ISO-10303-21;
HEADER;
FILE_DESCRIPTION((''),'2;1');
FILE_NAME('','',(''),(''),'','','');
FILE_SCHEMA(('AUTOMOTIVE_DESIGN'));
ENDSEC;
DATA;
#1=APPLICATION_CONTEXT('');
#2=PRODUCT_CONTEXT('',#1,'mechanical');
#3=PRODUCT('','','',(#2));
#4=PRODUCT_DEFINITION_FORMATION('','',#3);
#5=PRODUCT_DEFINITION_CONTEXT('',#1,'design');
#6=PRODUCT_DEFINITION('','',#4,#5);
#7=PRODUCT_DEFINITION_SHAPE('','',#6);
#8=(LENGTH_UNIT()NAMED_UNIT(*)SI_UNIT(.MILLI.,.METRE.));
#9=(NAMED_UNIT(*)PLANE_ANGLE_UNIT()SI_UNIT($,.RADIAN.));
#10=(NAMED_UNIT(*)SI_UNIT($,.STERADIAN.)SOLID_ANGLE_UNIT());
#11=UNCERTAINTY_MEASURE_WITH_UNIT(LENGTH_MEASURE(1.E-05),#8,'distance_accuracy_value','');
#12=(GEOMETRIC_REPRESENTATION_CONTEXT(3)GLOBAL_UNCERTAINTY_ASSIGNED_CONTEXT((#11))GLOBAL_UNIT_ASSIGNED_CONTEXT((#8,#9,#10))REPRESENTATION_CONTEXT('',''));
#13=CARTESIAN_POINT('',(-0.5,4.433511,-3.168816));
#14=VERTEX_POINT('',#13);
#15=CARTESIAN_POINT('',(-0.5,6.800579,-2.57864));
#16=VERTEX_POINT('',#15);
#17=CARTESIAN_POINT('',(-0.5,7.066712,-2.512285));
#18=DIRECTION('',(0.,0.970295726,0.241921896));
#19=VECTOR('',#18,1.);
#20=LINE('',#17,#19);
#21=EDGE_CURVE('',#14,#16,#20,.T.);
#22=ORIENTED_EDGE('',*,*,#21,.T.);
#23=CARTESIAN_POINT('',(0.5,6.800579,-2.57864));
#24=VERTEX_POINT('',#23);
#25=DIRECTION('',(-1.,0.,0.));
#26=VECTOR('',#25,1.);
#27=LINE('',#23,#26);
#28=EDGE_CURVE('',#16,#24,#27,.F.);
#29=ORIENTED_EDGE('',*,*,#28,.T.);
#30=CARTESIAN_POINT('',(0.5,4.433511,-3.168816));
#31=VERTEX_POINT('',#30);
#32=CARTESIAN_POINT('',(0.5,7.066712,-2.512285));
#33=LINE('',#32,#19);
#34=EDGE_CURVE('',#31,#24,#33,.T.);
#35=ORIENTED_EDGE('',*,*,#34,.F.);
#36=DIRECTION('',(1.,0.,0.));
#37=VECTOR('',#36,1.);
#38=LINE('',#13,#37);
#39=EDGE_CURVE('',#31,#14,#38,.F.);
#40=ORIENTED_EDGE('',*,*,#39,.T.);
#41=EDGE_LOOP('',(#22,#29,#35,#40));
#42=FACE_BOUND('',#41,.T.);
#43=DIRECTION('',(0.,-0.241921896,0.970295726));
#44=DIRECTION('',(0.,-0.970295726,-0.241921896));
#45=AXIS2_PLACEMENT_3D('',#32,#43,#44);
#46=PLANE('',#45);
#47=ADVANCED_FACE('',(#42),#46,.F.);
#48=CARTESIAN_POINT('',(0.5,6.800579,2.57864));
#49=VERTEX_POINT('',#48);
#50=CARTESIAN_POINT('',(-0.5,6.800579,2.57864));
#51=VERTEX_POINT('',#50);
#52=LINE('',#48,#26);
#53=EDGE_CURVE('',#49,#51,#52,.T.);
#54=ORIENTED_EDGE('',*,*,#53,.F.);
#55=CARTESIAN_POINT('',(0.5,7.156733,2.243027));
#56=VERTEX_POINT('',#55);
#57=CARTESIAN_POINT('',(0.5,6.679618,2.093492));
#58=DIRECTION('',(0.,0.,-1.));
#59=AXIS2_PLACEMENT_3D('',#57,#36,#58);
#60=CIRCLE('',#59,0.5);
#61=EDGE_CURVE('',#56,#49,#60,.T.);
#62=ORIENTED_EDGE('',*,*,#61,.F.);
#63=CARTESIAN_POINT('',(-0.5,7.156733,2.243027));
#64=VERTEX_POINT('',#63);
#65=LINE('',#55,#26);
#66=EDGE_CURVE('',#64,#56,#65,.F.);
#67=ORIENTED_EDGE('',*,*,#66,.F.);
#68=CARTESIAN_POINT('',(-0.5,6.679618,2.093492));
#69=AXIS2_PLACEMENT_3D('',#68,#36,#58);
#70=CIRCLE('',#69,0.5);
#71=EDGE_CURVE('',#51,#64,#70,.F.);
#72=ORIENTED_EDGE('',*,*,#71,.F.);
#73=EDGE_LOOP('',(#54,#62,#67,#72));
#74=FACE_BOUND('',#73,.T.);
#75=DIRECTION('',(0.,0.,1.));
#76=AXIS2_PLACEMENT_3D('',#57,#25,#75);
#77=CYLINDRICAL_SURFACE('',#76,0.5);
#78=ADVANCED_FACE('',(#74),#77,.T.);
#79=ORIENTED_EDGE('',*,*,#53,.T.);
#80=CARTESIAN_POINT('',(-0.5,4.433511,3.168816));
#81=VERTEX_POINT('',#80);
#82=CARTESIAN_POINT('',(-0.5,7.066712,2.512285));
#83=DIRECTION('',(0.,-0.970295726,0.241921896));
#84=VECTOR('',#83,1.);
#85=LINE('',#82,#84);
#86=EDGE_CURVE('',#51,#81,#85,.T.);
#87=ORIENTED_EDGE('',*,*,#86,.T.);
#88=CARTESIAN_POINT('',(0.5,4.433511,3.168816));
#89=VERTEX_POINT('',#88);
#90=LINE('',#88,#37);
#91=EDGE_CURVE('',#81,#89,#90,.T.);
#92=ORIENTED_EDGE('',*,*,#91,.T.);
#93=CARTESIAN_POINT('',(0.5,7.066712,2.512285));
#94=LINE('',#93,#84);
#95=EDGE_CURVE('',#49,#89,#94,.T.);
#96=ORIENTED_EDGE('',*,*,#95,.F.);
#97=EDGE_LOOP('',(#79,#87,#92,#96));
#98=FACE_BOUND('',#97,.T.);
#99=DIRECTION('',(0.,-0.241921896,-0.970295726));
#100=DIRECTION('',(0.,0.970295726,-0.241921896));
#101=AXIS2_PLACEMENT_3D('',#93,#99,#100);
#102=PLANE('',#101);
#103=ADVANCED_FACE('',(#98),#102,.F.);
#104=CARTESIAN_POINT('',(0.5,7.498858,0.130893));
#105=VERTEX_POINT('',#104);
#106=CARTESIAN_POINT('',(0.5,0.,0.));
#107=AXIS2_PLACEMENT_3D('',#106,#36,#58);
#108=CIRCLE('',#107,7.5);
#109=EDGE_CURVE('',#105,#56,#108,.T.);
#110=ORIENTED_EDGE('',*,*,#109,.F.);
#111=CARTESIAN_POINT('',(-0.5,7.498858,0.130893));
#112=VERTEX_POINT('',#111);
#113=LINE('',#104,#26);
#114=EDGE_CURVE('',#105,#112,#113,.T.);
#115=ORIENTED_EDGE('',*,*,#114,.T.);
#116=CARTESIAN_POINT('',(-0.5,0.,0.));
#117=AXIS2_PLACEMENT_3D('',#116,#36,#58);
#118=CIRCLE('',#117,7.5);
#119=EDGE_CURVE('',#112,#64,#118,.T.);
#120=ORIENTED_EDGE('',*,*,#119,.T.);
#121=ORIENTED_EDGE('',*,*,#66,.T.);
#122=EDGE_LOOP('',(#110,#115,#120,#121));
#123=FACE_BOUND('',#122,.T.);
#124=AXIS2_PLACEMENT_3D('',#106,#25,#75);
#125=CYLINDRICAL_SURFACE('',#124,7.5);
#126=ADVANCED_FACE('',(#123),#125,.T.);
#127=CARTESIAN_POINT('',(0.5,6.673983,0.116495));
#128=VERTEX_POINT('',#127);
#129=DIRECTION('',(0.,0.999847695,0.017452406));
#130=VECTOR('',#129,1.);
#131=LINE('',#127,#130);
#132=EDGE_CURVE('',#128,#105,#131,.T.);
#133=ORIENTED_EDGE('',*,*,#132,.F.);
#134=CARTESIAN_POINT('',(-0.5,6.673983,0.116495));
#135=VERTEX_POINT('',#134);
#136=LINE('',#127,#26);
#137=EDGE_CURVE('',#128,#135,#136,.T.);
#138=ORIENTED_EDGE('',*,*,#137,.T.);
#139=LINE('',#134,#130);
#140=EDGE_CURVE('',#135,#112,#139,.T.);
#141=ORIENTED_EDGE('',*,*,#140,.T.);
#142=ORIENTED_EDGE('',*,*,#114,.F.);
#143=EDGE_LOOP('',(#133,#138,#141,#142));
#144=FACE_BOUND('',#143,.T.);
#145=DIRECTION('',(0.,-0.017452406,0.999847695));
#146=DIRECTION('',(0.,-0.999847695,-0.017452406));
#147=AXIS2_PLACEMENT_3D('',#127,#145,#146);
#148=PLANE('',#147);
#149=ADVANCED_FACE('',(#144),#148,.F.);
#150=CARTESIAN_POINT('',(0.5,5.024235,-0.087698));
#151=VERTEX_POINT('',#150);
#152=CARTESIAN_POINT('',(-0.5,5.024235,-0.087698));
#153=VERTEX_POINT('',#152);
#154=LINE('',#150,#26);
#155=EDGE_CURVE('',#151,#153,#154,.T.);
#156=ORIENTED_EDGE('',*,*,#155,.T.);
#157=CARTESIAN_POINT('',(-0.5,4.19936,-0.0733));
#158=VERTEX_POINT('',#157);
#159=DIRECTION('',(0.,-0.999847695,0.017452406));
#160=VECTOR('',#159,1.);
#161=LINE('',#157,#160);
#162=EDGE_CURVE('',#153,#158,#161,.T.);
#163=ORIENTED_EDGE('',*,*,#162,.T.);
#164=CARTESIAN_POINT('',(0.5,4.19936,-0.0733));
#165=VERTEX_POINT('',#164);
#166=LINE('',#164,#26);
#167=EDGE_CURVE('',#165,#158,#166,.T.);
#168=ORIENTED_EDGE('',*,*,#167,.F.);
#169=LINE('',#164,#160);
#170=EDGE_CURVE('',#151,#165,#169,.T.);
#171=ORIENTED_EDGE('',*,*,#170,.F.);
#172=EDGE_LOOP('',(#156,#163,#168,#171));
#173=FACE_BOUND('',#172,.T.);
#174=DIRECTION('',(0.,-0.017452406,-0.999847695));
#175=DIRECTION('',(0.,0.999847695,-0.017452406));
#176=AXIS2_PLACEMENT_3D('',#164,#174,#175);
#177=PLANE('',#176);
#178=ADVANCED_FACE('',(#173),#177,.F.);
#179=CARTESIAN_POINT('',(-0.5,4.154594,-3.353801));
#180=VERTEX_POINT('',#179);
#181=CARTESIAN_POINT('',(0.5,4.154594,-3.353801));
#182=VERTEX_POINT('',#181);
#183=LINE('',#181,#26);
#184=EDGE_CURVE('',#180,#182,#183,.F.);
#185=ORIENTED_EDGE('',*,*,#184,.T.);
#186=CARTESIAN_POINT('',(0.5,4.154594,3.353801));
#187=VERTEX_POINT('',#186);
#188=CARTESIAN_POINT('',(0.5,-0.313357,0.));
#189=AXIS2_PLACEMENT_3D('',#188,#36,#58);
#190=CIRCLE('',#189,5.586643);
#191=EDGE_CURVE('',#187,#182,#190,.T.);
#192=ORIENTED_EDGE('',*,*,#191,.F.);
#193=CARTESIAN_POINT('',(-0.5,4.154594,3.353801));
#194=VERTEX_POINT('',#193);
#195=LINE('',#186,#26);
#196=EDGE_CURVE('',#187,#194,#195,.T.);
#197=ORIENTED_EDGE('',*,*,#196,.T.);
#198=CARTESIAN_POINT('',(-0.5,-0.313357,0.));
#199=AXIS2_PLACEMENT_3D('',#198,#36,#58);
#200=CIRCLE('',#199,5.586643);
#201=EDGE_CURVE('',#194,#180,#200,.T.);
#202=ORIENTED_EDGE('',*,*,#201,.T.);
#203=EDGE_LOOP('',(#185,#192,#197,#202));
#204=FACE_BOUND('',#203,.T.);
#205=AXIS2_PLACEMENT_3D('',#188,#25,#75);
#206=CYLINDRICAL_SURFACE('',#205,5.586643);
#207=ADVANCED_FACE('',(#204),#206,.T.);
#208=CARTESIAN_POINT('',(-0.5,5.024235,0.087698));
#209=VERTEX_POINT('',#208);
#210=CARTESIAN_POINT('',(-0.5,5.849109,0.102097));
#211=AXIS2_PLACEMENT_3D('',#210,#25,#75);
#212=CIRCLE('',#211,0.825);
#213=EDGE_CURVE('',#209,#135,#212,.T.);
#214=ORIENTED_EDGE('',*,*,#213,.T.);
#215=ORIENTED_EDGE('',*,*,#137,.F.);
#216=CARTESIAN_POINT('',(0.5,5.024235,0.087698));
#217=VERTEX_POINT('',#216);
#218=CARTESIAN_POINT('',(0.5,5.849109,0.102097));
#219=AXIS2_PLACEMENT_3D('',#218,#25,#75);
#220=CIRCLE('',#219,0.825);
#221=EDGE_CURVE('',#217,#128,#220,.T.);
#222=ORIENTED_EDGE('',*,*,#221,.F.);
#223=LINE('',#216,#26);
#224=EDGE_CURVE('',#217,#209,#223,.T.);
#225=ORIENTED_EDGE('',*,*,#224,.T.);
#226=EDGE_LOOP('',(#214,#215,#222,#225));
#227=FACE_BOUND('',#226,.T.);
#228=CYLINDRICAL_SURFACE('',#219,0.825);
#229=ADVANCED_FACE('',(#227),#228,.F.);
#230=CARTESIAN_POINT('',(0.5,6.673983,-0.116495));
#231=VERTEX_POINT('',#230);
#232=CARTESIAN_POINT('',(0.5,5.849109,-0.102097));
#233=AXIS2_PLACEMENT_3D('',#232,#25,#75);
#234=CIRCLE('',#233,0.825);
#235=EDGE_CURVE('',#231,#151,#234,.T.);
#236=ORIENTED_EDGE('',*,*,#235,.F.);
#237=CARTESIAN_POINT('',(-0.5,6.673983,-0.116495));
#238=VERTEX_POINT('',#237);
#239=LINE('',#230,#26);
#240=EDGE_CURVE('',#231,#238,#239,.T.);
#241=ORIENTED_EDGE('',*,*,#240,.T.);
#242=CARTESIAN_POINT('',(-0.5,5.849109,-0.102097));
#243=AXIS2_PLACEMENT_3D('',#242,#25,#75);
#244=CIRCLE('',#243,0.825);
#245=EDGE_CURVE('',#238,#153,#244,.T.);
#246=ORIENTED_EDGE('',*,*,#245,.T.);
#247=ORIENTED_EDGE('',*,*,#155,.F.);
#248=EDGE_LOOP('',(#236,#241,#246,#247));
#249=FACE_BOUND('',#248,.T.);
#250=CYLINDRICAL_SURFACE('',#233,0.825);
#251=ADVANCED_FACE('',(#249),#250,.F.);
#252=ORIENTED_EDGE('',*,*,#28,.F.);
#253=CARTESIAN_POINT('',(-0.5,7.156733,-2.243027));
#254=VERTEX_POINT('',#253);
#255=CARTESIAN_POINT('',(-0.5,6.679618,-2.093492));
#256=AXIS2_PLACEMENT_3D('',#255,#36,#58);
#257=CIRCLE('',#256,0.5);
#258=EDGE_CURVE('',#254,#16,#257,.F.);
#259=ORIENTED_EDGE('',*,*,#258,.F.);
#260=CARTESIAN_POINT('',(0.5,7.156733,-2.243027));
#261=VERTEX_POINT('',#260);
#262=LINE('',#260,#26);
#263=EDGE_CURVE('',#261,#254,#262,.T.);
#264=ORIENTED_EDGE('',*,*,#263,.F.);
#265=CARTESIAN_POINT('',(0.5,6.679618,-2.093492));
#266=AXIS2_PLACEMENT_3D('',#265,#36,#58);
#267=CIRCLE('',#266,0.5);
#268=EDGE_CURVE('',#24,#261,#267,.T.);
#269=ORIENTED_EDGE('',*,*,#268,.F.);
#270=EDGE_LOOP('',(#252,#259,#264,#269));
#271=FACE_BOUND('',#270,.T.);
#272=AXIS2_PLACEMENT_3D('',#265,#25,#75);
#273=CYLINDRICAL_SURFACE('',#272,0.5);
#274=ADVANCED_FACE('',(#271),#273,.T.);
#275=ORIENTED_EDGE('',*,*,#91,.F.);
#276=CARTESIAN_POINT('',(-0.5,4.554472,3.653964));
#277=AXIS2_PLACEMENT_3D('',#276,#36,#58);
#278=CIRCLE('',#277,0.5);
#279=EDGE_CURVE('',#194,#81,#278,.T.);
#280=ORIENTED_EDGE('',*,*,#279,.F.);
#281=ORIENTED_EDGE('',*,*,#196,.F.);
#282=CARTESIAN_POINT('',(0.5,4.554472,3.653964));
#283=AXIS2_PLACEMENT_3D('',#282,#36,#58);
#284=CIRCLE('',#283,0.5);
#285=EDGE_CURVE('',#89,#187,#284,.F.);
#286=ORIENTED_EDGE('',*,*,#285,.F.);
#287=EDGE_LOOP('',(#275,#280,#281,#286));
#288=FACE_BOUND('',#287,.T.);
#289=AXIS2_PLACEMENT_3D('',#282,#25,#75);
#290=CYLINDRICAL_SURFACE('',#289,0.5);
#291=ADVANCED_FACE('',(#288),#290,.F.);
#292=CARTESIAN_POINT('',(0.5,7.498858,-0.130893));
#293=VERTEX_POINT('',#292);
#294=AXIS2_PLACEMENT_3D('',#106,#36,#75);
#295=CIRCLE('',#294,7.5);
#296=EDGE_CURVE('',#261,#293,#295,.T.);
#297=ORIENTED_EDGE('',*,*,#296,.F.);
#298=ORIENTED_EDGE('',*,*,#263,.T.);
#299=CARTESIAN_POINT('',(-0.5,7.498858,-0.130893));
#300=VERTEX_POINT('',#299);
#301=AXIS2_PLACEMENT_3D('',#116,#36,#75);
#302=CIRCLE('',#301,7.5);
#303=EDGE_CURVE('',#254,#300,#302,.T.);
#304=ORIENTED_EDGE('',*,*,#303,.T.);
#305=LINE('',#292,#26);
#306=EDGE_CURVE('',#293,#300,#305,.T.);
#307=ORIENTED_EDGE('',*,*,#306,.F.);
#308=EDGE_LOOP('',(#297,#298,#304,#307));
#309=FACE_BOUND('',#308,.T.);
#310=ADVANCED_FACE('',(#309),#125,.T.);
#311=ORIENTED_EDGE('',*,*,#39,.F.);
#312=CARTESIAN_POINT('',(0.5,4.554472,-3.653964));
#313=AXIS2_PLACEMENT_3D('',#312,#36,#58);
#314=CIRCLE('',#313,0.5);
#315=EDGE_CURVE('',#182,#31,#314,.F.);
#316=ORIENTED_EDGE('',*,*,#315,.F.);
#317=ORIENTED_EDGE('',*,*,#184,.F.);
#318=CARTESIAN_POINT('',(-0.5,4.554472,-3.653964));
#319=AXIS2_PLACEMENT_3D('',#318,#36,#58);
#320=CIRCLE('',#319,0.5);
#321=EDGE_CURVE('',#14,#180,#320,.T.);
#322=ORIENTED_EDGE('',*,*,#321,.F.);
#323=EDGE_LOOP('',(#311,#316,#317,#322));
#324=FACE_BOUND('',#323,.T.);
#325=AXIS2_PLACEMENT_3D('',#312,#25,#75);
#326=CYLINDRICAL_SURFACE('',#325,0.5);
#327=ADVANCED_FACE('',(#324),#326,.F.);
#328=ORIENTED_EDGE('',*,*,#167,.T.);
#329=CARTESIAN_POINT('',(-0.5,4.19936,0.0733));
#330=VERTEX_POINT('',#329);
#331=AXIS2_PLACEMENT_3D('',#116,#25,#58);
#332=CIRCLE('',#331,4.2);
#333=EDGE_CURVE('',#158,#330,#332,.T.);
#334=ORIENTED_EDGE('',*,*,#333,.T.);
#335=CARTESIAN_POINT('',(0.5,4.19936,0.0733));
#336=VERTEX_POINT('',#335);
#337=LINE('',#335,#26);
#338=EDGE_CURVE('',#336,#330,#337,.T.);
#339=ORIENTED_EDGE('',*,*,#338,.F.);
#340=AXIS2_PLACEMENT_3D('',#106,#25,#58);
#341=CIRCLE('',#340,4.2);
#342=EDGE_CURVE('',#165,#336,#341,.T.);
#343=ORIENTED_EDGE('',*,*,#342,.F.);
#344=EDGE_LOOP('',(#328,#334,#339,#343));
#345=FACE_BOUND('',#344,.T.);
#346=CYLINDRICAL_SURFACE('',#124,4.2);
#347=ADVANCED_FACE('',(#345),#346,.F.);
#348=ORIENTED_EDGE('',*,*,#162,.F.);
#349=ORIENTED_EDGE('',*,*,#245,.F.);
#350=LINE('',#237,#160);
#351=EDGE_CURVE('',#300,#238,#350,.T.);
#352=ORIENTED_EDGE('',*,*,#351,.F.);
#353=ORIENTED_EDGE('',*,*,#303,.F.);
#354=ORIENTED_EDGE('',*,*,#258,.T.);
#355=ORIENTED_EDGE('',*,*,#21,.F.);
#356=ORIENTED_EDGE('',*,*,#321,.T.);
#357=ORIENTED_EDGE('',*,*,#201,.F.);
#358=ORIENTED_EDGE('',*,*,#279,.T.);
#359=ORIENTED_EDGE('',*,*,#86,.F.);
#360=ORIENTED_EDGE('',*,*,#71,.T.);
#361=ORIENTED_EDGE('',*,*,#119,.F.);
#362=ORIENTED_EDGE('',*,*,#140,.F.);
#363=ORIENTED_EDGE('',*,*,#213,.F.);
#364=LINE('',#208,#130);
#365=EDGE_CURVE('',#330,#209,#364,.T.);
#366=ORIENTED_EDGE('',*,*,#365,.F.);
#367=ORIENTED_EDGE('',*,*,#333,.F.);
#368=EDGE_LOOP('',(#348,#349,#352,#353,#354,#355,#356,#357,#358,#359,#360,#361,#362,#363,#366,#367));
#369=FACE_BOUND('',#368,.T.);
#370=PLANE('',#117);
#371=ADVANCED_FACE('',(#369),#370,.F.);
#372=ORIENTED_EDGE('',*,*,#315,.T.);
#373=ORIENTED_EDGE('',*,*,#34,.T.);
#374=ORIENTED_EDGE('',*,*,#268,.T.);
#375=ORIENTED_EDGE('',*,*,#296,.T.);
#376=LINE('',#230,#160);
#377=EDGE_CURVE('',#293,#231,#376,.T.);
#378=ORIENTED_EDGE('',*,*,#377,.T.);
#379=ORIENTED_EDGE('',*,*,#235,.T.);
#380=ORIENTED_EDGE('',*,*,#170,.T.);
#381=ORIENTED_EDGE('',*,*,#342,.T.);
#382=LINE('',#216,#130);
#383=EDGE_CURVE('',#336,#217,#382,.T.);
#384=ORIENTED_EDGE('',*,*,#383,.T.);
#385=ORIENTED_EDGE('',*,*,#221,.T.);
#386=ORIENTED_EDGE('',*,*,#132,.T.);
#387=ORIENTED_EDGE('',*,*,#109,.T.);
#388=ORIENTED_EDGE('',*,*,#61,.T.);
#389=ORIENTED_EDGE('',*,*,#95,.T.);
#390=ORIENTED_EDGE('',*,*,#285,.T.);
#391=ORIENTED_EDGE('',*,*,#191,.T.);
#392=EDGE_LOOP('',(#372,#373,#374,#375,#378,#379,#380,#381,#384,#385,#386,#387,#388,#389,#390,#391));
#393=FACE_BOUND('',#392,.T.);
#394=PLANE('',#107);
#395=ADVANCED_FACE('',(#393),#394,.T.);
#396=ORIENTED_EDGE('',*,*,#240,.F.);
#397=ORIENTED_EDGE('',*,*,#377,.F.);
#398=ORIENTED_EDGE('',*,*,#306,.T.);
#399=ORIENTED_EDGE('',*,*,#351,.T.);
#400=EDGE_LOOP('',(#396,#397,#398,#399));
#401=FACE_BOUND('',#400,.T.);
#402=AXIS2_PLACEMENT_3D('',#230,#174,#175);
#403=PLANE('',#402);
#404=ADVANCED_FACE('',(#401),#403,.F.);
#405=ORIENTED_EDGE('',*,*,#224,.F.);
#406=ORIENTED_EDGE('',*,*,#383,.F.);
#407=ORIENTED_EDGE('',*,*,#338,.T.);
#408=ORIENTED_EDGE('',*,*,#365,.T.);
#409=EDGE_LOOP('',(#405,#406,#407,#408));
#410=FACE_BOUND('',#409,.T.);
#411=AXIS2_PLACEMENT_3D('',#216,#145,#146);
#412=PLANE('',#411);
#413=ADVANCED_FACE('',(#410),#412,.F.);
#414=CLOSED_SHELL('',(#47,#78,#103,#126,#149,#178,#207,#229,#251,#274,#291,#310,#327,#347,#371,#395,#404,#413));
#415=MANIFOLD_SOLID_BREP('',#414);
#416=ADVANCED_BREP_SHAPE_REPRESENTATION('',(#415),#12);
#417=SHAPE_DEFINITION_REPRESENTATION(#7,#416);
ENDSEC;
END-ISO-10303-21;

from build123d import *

# Parameters (mm, degrees)
EXTRUDE1_DEPTH = 0.5
FILLET1_R      = 0.5


with BuildPart() as part:
    # Sketch1 → Extrude1 (new, symmetric)
    with BuildSketch(Plane(origin=(0, 0, 0), x_dir=(0, 0, -1), z_dir=(1, 0, 0))):
        with BuildLine():
            Line((0.073300107, 4.19936032), (0.087698342, 5.024234668))
            ThreePointArc((0.087698342, 5.024234668), (0.926970926, 5.834710781), (0.116494813, 6.673983365))
            Line((0.116494813, 6.673983365), (0.130893048, 7.498857714))
            ThreePointArc((0.130893048, 7.498857714), (1.339135991, 7.379479304), (2.512285186, 7.066712329))
            Line((2.512285186, 7.066712329), (3.212819738, 4.257021702))
            ThreePointArc((3.212819738, 4.257021702), (0, -5.9), (-3.212819738, 4.257021702))
            Line((-3.212819738, 4.257021702), (-2.512285186, 7.066712329))
            ThreePointArc((-2.512285186, 7.066712329), (-1.339135991, 7.379479304), (-0.130893048, 7.498857714))
            Line((-0.130893048, 7.498857714), (-0.116494813, 6.673983365))
            ThreePointArc((-0.116494813, 6.673983365), (-0.926970926, 5.834710781), (-0.087698342, 5.024234668))
            Line((-0.087698342, 5.024234668), (-0.073300107, 4.19936032))
            ThreePointArc((-0.073300107, 4.19936032), (0, -4.2), (0.073300107, 4.19936032))
        make_face()
    extrude(amount=EXTRUDE1_DEPTH, both=True)

    # Fillet1
    fillet1_edges = [part.edges().sort_by_distance(p)[0] for p in [
        (0, 7.066712329, -2.512285186),
        (0, 4.257021702, -3.212819738),
        (0, 4.257021702, 3.212819738),
        (0, 7.066712329, 2.512285186),
    ]]
    fillet(fillet1_edges, radius=FILLET1_R)


solid = part.part
